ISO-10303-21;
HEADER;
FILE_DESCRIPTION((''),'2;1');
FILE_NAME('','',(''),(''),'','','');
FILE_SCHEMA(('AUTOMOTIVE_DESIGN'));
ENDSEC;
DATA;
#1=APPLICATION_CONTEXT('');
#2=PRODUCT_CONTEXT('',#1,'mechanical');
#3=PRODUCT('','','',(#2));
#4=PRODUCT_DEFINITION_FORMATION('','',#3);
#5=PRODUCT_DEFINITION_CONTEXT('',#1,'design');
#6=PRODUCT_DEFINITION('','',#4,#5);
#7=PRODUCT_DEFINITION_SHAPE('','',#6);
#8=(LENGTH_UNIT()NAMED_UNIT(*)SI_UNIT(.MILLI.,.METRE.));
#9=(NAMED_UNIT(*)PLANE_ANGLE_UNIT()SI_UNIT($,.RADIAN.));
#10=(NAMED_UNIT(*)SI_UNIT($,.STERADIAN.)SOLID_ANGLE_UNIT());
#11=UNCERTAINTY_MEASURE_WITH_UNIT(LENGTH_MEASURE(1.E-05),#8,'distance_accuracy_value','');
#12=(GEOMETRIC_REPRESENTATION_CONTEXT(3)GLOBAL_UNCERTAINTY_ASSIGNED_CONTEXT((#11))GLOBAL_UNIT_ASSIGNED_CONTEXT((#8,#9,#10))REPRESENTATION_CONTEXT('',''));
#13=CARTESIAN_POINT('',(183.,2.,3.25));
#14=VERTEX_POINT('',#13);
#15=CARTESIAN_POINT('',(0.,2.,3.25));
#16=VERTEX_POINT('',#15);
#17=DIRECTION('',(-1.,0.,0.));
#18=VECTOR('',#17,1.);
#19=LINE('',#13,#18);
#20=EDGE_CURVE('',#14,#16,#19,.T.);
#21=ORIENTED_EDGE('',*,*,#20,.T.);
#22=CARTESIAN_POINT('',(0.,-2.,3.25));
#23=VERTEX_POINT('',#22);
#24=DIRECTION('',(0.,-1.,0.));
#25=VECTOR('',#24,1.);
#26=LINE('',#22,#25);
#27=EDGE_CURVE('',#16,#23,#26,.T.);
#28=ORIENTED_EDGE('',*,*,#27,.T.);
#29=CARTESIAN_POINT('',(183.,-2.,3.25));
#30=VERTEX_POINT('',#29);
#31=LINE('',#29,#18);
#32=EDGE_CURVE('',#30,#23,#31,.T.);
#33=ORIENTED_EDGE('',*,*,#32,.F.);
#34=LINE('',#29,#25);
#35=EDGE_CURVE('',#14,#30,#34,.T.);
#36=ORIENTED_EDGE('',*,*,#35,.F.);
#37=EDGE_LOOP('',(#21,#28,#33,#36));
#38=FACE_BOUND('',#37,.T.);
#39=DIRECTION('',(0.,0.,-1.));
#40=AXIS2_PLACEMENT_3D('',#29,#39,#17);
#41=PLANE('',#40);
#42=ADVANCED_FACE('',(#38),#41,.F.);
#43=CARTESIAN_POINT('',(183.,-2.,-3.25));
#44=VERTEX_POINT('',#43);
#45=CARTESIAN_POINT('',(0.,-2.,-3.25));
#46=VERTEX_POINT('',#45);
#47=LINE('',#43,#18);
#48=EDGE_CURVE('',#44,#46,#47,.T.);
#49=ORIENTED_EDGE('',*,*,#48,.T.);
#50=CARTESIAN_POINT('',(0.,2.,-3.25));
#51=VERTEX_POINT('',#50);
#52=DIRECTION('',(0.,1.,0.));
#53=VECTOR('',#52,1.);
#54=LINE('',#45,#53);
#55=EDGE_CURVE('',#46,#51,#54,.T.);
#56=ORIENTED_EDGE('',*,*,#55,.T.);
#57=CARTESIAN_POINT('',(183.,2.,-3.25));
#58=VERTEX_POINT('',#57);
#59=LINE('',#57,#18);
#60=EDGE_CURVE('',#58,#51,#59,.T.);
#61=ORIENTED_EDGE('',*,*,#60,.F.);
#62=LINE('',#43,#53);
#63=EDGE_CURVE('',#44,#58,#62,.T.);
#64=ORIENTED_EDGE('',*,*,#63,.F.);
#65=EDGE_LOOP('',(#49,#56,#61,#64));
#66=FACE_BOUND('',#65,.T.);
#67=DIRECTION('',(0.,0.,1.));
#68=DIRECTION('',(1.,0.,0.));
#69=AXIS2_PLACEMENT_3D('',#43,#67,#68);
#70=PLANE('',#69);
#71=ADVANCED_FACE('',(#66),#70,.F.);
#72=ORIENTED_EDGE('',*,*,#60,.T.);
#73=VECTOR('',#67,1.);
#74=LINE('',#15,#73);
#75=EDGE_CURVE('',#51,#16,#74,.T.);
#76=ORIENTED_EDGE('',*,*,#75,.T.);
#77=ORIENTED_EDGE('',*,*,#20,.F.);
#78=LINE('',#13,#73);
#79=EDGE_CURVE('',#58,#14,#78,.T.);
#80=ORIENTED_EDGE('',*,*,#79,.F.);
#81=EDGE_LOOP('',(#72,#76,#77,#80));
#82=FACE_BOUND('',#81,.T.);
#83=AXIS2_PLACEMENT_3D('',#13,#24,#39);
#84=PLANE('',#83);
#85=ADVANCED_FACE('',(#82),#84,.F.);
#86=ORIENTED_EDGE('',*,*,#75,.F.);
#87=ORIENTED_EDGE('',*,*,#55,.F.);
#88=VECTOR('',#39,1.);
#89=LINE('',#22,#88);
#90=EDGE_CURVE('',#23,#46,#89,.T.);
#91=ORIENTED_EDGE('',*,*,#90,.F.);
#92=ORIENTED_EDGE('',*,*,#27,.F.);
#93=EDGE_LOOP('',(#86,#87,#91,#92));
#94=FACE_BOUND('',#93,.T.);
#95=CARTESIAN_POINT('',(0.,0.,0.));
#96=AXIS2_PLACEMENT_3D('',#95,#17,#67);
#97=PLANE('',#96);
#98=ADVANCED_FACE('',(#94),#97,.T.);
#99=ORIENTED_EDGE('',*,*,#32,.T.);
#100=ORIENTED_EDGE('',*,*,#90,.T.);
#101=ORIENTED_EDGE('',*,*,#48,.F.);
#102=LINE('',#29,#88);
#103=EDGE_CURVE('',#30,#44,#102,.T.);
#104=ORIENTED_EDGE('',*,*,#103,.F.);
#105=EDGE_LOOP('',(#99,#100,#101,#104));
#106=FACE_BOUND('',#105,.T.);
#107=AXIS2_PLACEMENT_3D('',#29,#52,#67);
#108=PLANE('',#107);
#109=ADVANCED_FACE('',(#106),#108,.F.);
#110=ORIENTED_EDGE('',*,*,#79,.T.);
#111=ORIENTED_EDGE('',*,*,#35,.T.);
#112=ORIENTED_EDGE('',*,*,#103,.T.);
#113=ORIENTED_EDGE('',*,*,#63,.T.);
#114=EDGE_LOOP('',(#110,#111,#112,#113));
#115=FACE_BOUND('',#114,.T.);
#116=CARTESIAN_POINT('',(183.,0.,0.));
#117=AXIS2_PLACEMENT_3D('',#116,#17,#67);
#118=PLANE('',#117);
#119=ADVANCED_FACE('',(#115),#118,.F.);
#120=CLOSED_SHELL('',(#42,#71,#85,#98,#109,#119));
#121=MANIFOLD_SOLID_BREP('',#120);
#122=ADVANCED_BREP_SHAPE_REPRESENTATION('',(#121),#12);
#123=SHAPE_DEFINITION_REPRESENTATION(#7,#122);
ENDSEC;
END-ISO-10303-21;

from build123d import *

# Parameters (mm, degrees)
ESBO_O1_W                = 6.5
ESBO_O1_H                = 4
RESSALTO_EXTRUS_O1_DEPTH = 183


with BuildPart() as part:
    # Esboço1 → Ressalto-extrusão1 (new body)
    with BuildSketch(Plane(origin=(0, 0, 0), x_dir=(0, 0, -1), z_dir=(1, 0, 0))):
        Rectangle(ESBO_O1_W, ESBO_O1_H)
    extrude(amount=RESSALTO_EXTRUS_O1_DEPTH)


solid = part.part
